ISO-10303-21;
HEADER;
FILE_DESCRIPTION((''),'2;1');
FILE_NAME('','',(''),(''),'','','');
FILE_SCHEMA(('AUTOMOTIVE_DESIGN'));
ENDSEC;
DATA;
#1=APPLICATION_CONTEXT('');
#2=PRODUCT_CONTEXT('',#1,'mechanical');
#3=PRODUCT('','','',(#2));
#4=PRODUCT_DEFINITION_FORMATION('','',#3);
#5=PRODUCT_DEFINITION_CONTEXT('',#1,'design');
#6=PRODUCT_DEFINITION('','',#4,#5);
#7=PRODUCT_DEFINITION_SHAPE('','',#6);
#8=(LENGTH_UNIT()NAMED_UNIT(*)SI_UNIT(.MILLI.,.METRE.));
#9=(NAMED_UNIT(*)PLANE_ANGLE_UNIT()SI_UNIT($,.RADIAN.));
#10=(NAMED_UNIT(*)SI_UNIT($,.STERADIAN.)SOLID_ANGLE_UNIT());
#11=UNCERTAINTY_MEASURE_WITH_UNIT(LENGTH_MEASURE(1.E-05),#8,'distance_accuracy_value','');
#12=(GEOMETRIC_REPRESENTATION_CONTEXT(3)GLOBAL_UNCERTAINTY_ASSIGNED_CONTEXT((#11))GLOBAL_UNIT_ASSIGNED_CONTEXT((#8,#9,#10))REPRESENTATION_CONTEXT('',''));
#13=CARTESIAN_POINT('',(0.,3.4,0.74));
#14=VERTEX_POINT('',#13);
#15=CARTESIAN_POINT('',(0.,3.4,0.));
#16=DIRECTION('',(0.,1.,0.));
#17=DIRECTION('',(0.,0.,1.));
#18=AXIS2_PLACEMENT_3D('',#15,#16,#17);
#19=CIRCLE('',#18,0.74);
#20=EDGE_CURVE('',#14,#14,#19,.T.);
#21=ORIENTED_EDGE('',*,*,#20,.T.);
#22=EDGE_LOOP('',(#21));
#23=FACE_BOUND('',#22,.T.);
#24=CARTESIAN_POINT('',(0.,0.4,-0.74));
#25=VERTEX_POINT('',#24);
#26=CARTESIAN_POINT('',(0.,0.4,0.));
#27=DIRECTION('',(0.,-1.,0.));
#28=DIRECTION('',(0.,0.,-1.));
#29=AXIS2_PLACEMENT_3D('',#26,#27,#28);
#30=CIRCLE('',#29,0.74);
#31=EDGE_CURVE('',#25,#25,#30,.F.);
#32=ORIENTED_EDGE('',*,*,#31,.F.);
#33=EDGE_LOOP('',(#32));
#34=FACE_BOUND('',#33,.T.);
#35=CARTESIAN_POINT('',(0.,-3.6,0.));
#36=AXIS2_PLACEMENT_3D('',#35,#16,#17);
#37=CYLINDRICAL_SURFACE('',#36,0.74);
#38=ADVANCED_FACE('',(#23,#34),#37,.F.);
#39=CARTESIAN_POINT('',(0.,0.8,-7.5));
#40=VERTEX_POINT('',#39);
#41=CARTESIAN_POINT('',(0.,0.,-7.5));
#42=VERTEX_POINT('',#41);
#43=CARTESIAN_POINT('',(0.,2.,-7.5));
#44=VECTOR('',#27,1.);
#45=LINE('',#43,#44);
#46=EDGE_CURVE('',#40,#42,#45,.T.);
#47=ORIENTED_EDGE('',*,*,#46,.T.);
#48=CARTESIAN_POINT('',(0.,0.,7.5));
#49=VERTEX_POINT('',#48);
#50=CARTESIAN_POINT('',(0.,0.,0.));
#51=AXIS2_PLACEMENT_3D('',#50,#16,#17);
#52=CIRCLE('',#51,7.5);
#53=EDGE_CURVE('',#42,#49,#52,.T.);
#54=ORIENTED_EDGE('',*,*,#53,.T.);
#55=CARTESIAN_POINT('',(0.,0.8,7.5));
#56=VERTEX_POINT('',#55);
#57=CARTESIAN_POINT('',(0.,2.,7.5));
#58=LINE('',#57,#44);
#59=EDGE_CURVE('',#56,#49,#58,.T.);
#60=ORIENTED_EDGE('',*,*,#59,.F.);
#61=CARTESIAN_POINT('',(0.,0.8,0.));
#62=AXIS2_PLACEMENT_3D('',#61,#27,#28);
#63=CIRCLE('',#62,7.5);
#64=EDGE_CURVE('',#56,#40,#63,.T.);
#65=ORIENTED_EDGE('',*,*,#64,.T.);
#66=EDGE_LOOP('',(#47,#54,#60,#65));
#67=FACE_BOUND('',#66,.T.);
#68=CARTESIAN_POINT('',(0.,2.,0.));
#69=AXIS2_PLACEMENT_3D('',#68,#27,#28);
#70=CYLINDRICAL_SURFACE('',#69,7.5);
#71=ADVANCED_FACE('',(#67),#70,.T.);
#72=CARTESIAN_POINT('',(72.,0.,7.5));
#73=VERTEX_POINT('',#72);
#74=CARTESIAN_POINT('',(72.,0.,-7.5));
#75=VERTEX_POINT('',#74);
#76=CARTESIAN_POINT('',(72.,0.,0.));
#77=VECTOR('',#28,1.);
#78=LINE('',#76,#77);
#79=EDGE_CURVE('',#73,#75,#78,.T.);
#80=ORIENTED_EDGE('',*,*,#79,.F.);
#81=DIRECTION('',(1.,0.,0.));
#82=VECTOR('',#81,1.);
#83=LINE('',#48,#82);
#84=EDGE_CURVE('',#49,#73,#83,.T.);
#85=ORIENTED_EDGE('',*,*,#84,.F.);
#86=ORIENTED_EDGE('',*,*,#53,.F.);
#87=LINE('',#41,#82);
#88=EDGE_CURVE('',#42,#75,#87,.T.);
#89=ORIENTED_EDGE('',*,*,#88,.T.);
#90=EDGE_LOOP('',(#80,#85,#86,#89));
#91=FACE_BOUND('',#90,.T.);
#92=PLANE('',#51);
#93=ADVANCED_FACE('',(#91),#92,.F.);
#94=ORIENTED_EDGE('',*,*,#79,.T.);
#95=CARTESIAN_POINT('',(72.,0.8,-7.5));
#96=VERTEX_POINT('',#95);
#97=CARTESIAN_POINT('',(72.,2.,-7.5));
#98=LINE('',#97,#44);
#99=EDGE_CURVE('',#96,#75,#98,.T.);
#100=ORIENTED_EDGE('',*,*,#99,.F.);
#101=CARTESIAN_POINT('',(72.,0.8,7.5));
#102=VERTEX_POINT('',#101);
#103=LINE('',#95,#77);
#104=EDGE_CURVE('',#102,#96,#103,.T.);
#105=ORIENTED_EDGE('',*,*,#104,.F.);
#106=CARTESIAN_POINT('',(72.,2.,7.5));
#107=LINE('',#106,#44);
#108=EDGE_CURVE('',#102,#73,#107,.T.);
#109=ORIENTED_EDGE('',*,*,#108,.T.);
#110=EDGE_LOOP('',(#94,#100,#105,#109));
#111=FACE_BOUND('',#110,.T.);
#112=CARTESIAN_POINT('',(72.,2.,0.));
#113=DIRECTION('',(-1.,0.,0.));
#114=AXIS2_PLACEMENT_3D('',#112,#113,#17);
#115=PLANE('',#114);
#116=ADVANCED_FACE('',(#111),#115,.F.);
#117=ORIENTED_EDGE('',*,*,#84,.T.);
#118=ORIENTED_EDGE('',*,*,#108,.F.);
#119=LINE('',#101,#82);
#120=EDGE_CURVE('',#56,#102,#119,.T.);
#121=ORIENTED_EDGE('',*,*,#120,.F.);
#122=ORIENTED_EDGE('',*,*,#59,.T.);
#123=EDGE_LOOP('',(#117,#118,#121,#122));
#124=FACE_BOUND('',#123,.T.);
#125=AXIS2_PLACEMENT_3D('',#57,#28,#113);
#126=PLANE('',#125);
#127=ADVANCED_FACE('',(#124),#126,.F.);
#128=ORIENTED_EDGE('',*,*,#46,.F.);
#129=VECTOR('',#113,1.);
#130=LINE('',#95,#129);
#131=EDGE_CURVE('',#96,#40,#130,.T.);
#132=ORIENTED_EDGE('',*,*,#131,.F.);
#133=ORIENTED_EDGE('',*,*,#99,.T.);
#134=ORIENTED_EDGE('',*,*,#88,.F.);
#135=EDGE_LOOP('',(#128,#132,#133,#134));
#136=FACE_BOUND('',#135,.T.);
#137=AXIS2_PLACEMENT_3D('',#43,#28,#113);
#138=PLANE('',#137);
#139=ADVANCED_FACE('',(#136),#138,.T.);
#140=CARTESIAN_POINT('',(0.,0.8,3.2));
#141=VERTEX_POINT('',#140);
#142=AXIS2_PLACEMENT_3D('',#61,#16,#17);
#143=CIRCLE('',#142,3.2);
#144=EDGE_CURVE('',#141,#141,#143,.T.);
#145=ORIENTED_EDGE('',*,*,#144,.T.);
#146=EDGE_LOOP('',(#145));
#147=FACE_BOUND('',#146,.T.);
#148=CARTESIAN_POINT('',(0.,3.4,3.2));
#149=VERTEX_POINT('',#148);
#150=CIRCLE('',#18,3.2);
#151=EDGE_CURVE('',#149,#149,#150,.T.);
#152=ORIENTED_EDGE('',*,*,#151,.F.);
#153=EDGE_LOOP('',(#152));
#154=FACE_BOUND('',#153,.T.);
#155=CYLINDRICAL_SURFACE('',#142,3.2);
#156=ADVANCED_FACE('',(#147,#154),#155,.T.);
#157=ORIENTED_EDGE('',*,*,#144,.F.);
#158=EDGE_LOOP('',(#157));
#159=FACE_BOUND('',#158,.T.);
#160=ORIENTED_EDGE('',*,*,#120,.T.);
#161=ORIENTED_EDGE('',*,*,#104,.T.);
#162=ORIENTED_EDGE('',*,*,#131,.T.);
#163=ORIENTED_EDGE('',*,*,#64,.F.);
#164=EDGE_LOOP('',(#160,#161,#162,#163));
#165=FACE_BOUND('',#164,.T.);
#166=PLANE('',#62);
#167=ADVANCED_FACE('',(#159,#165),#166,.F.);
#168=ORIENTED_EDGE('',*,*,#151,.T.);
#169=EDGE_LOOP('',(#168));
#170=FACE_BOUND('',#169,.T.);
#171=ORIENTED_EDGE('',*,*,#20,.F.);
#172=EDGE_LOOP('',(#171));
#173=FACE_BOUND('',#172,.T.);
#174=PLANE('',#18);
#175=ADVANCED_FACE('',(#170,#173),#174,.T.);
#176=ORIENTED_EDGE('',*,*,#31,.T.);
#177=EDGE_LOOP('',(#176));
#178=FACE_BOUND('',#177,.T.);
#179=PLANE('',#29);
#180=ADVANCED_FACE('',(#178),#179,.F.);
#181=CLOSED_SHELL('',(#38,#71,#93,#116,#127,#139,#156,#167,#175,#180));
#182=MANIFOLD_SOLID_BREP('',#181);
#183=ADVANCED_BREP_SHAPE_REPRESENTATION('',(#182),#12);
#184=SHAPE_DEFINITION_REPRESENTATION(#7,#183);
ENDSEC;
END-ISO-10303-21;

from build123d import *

# Parameters (mm, degrees)
BOSS_EXTRUDE1_DEPTH = 2
SKETCH2_R           = 0.74
CUT_EXTRUDE1_DEPTH  = 5.6
SKETCH6_W           = 79.5
SKETCH6_H           = 15
SKETCH6_R           = 3.2
CUT_EXTRUDE3_DEPTH  = 1.2
SKETCH7_R           = 3.2
SKETCH7_R_2         = 0.74
BOSS_EXTRUDE2_DEPTH = 1.4
SKETCH8_R           = 0.74
BOSS_EXTRUDE3_DEPTH = 0.4


with BuildPart() as part:
    # Sketch1 → Boss-Extrude1 (new body)
    with BuildSketch(Plane(origin=(0, 0, 0), x_dir=(1, 0, 0), z_dir=(0, 1, 0))):
        with BuildLine():
            ThreePointArc((7.5, 0), (5.303300859, -5.303300859), (0, -7.5))
            Line((0, -7.5), (72, -7.5))
            Line((72, -7.5), (72, 7.5))
            Line((72, 7.5), (0, 7.5))
            ThreePointArc((0, 7.5), (5.303300859, 5.303300859), (7.5, 0))
        make_face()
        with BuildLine():
            ThreePointArc((0, 7.5), (-7.5, 0), (0, -7.5))
            Line((0, -7.5), (0, 7.5))
        make_face()
        with BuildLine():
            Line((0, 7.5), (0, -7.5))
            ThreePointArc((0, -7.5), (5.303300859, -5.303300859), (7.5, 0))
            ThreePointArc((7.5, 0), (5.303300859, 5.303300859), (0, 7.5))
        make_face()
    extrude(amount=BOSS_EXTRUDE1_DEPTH)

    # Sketch2 → Cut-Extrude1 (cut)
    with BuildSketch(Plane(origin=(0, 2, 0), x_dir=(1, 0, 0), z_dir=(0, 1, 0))):
        Circle(SKETCH2_R)
    extrude(amount=-CUT_EXTRUDE1_DEPTH, mode=Mode.SUBTRACT)

    # Sketch6 → Cut-Extrude3 (cut)
    with BuildSketch(Plane(origin=(0, 2, 0), x_dir=(1, 0, 0), z_dir=(0, 1, 0))):
        with Locations((32.25, 0)):
            Rectangle(SKETCH6_W, SKETCH6_H)
        Circle(SKETCH6_R, mode=Mode.SUBTRACT)
    extrude(amount=-CUT_EXTRUDE3_DEPTH, mode=Mode.SUBTRACT)

    # Sketch7 → Boss-Extrude2 (add)
    with BuildSketch(Plane(origin=(0, 2, 0), x_dir=(1, 0, 0), z_dir=(0, 1, 0))):
        Circle(SKETCH7_R)
        Circle(SKETCH7_R_2, mode=Mode.SUBTRACT)
    extrude(amount=BOSS_EXTRUDE2_DEPTH)

    # Sketch8 → Boss-Extrude3 (add)
    with BuildSketch(Plane.XZ):
        Circle(SKETCH8_R)
    extrude(amount=-BOSS_EXTRUDE3_DEPTH)


solid = part.part
